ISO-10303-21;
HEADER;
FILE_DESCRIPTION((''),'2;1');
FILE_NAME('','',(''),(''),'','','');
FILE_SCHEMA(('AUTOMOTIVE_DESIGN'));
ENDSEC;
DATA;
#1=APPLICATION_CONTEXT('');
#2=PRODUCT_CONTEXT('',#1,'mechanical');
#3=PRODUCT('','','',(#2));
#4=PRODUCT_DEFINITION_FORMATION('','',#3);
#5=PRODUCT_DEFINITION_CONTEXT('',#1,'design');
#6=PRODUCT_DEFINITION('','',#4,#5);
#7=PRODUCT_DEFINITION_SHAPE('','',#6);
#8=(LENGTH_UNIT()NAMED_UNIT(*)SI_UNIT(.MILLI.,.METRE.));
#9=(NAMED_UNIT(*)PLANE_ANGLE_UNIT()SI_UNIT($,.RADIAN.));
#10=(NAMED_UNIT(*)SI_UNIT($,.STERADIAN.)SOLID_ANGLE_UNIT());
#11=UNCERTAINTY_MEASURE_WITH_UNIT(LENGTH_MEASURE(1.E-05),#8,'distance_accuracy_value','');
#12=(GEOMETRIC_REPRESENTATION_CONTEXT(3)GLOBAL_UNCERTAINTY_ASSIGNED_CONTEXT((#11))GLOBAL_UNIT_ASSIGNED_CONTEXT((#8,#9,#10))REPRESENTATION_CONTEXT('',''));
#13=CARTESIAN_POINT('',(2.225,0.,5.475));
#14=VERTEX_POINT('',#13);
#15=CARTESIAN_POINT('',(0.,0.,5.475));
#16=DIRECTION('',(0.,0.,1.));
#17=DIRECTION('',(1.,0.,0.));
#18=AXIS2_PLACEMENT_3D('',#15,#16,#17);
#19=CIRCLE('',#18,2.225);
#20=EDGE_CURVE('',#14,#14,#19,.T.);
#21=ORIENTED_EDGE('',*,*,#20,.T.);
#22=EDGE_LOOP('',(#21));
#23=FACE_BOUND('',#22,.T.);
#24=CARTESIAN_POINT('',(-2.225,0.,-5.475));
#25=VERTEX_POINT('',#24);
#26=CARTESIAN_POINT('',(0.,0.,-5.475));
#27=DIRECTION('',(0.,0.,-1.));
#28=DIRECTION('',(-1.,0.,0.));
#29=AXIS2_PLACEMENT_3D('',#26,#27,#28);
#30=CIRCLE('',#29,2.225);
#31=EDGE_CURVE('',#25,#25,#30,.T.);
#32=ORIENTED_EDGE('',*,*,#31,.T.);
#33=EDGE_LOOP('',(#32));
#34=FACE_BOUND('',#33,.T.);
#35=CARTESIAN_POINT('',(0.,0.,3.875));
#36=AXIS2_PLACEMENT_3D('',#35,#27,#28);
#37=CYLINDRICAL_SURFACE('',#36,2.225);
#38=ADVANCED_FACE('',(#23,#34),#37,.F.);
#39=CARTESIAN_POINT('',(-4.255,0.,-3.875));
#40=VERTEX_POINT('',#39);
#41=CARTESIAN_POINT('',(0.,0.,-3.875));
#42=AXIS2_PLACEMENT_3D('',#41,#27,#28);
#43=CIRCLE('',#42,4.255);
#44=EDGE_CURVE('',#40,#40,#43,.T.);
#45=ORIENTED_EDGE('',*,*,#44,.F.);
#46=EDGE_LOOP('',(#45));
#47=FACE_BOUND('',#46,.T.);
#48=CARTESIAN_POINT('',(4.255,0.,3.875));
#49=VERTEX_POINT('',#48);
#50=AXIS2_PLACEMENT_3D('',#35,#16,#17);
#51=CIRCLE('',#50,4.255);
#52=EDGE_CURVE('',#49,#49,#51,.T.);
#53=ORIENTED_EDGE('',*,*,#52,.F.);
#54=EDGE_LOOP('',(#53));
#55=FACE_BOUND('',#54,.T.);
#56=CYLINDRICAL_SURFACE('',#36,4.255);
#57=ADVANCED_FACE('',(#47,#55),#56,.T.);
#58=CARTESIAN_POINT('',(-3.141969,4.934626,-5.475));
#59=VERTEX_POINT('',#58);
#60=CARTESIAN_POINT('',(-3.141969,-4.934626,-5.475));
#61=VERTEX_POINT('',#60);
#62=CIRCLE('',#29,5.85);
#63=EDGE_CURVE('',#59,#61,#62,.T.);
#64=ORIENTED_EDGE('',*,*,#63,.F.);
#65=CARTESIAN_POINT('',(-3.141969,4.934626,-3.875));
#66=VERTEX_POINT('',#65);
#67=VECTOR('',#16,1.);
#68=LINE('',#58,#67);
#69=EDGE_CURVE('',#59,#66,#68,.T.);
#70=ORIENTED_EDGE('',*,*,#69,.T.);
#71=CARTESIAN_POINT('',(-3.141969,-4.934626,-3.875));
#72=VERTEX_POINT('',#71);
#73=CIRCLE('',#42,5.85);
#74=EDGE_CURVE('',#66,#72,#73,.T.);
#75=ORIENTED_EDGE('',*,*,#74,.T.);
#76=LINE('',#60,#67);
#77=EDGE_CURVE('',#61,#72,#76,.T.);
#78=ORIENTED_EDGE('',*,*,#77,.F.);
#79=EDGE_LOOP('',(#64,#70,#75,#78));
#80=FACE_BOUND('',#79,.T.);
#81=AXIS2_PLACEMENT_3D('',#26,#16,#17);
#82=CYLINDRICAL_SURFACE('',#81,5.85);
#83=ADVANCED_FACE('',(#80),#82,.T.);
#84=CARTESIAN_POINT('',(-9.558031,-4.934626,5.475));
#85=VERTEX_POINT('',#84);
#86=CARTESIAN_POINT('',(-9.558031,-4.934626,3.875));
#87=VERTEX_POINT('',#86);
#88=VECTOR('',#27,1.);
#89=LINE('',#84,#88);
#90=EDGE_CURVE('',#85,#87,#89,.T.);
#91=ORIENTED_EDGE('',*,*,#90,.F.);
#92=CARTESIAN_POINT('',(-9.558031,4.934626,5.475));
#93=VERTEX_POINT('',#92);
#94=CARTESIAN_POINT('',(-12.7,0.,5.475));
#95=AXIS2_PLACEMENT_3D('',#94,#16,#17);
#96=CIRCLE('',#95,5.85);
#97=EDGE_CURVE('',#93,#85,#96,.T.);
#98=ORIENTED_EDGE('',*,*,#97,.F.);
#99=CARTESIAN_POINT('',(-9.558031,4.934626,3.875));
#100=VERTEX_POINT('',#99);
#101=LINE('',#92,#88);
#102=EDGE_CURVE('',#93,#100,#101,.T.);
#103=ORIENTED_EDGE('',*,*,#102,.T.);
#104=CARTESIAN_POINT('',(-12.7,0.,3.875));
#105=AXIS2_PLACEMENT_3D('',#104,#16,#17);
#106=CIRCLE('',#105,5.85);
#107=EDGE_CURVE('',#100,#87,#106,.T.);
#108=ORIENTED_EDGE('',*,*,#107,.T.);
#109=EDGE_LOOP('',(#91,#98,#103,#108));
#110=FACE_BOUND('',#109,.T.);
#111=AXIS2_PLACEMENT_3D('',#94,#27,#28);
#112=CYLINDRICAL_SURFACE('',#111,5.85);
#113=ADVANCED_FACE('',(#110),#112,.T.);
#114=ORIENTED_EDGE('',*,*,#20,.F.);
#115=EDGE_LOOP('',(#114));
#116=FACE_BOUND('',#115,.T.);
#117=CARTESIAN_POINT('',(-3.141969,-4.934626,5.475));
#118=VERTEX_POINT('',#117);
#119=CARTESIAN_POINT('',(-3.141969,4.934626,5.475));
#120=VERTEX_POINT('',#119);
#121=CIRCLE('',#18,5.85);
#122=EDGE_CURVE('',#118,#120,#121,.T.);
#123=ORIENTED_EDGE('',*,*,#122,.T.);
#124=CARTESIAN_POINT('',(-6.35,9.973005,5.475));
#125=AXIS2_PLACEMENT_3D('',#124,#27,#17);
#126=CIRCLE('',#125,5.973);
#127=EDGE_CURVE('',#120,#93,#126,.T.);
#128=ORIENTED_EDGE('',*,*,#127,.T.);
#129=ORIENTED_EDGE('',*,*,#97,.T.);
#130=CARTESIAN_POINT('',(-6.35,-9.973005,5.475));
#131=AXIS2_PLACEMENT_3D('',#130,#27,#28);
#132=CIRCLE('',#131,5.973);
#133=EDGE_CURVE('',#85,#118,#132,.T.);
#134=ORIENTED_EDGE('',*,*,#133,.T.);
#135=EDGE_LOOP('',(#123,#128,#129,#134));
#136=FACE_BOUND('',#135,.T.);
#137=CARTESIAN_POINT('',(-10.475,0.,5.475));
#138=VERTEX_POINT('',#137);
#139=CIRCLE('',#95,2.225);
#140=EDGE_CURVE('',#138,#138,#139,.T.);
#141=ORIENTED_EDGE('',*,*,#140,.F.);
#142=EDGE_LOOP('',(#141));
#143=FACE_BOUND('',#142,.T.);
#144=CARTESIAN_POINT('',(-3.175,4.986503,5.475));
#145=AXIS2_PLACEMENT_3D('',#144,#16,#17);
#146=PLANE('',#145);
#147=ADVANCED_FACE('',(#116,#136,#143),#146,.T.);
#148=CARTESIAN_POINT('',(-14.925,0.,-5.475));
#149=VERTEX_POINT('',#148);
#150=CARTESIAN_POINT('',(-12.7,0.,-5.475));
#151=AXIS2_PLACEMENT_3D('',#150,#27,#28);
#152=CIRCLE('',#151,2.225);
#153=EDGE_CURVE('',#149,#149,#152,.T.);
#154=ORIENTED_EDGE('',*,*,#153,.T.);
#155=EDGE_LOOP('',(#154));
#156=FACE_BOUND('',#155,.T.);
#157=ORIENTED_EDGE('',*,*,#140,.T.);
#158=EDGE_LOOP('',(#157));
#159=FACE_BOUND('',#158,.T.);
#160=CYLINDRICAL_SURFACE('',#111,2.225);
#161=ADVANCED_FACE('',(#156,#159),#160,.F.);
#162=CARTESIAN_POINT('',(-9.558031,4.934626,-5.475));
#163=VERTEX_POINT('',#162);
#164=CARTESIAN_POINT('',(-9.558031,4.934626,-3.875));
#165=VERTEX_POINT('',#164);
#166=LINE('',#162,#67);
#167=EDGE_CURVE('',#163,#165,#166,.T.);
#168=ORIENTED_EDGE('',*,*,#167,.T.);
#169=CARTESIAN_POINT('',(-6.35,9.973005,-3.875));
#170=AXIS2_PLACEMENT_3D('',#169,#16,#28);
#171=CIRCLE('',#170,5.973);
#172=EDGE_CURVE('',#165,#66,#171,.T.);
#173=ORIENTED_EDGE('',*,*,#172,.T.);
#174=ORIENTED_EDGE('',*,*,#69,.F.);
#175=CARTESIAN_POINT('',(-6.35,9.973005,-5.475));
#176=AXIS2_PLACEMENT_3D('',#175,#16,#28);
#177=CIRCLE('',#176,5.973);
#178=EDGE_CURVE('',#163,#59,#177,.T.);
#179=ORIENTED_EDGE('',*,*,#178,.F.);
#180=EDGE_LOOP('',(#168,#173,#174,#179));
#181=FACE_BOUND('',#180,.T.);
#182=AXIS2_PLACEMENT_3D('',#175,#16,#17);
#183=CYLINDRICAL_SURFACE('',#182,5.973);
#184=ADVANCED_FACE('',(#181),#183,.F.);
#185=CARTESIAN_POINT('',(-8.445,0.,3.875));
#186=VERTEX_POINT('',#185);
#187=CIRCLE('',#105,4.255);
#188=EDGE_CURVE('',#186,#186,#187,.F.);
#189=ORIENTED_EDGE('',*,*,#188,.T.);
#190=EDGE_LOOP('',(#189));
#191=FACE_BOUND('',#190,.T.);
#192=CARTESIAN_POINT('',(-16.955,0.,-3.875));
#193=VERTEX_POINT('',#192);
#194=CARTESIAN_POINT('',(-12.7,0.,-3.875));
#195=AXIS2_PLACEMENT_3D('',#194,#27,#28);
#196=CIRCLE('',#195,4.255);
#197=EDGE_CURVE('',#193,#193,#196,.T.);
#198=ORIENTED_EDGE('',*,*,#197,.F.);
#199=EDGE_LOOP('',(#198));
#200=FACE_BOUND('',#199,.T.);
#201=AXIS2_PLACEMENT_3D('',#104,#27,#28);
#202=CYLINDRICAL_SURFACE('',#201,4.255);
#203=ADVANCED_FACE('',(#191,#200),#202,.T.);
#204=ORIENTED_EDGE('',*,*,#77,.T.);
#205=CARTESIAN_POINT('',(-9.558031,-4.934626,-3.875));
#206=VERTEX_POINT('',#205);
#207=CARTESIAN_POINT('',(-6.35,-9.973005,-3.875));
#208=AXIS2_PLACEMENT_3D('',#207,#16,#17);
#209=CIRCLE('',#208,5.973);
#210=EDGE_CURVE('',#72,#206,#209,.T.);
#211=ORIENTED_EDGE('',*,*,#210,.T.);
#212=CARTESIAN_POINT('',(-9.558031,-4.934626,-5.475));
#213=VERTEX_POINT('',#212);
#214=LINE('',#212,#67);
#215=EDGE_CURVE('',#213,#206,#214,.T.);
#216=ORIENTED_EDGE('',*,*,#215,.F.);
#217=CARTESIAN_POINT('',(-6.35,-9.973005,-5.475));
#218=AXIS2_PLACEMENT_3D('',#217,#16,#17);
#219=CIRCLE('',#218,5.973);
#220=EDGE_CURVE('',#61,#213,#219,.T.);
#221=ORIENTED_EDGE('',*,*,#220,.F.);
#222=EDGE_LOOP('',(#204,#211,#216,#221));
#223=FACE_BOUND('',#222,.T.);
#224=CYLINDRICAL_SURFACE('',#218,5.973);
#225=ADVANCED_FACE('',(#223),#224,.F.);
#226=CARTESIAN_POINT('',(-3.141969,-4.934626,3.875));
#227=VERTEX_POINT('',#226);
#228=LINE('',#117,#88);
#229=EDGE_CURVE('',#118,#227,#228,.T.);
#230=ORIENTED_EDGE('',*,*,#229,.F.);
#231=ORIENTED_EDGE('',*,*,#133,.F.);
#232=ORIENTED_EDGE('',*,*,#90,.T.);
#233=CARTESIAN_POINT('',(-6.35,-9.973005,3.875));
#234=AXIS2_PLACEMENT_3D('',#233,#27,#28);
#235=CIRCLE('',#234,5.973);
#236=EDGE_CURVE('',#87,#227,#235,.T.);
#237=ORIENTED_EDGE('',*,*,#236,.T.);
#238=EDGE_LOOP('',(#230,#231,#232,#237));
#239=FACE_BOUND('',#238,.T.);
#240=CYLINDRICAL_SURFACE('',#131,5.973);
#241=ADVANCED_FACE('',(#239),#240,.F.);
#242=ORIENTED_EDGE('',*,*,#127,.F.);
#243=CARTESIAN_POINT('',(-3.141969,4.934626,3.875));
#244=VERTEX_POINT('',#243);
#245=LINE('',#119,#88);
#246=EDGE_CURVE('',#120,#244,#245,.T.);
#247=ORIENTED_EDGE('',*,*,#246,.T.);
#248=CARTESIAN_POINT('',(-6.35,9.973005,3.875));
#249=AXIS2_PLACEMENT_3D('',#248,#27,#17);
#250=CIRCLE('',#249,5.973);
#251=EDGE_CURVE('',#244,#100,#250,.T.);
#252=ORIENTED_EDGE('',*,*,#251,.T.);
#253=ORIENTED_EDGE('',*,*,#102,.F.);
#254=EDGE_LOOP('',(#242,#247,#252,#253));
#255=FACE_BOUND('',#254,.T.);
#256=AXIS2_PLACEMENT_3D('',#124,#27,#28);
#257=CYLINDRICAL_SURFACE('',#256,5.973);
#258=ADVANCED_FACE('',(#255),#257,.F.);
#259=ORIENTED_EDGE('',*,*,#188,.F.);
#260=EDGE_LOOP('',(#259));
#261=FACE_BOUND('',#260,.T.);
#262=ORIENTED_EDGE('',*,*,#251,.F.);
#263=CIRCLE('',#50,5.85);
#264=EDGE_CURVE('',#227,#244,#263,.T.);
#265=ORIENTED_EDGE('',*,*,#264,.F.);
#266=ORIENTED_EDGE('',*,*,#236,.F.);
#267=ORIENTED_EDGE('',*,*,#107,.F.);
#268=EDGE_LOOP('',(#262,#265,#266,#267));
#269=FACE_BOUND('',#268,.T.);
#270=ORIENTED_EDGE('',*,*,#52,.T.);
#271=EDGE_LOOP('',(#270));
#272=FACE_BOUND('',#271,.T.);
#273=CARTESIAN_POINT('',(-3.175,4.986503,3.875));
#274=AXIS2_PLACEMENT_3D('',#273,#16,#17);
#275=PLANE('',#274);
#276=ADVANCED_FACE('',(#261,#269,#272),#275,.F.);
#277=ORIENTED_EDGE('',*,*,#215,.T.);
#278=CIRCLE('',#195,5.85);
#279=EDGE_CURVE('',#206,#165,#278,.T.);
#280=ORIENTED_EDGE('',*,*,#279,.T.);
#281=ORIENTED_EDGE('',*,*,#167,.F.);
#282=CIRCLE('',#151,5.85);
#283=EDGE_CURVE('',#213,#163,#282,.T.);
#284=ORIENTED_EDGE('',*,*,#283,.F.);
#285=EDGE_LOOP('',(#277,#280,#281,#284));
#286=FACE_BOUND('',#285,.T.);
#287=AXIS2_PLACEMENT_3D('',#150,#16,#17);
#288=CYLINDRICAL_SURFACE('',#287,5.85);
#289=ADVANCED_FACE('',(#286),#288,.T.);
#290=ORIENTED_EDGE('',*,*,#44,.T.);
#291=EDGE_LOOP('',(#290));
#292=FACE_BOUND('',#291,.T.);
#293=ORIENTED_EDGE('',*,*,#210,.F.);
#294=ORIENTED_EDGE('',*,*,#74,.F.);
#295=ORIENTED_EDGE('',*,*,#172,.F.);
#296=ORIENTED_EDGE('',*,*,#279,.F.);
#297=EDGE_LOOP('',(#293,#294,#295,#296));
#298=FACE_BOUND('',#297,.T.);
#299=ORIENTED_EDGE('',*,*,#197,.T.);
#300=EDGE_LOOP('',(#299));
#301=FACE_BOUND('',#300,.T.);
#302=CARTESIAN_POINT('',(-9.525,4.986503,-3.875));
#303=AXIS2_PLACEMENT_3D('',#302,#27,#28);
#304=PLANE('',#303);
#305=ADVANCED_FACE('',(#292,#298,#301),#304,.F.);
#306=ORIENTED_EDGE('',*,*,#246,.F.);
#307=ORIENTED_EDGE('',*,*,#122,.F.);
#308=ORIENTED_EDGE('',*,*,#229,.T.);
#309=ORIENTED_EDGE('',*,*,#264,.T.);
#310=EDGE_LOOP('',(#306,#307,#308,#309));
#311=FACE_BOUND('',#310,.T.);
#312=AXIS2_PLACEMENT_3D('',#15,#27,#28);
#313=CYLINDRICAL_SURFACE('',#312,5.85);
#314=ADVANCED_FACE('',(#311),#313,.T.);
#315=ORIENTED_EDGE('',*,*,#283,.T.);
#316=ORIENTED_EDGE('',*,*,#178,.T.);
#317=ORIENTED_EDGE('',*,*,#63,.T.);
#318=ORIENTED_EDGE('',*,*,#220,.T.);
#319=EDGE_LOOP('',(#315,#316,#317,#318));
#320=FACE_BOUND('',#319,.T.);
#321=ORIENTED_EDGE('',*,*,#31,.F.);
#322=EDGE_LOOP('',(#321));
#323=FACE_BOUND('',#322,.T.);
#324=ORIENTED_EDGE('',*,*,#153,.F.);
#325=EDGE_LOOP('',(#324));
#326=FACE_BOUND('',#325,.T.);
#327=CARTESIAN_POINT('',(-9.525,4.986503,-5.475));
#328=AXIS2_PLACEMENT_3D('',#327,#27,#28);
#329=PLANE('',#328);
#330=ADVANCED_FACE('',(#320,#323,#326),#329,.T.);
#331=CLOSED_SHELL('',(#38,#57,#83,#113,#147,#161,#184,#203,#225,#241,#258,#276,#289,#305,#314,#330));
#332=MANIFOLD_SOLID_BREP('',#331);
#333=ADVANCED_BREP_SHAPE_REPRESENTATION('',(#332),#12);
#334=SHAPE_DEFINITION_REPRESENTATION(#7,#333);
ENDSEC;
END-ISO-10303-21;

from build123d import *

# Parameters (mm, degrees)
SKETCH1_R             = 4.255
SKETCH1_R_2           = 2.225
BOSS_EXTRUDE1_DEPTH   = 3.875
BOSS_EXTRUDE1_2_DEPTH = 3.875
SKETCH2_R             = 2.225
BOSS_EXTRUDE2_DEPTH   = 1.6
BOSS_EXTRUDE3_START   = 1.6
SKETCH3_R             = 2.225
BOSS_EXTRUDE3_DEPTH   = 1.6


with BuildPart() as part:
    # Sketch1 → Boss-Extrude1 (new, symmetric)
    with BuildSketch(Plane.XY):
        Circle(SKETCH1_R)
        Circle(SKETCH1_R_2, mode=Mode.SUBTRACT)
    extrude(amount=BOSS_EXTRUDE1_DEPTH, both=True)



with BuildPart() as body_2:
    # Sketch1 → Boss-Extrude1 2 (new, symmetric)
    with BuildSketch(Plane.XY):
        with Locations((-12.7, 0)):
            Circle(SKETCH1_R)
        with Locations((-12.7, 0)):
            Circle(SKETCH1_R_2, mode=Mode.SUBTRACT)
    extrude(amount=BOSS_EXTRUDE1_2_DEPTH, both=True)


with BuildPart() as part_1:
    add(part.part)

    add(body_2.part)  # Boss-Extrude2 merges body 2
    # Sketch2 → Boss-Extrude2 (add)
    with BuildSketch(Plane.XY.offset(3.875)):
        with BuildLine():
            ThreePointArc((-3.141969043, -4.934625673), (5.85, 0), (-3.141969043, 4.934625673))
            ThreePointArc((-3.141969043, 4.934625673), (-6.35, 4.000005014), (-9.558030957, 4.934625673))
            ThreePointArc((-9.558030957, 4.934625673), (-18.55, 0), (-9.558030957, -4.934625673))
            ThreePointArc((-9.558030957, -4.934625673), (-6.35, -4.000005014), (-3.141969043, -4.934625673))
        make_face()
        Circle(SKETCH2_R, mode=Mode.SUBTRACT)
        with Locations((-12.7, 0)):
            Circle(SKETCH2_R, mode=Mode.SUBTRACT)
    extrude(amount=BOSS_EXTRUDE2_DEPTH)

    # Sketch3 → Boss-Extrude3 (add)
    with BuildSketch(Plane(origin=(0, 0, -3.875), x_dir=(-1, 0, 0), z_dir=(0, 0, -1)).offset(BOSS_EXTRUDE3_START)):
        with BuildLine():
            ThreePointArc((3.141969043, 4.934625673), (-5.85, 0), (3.141969043, -4.934625673))
            ThreePointArc((3.141969043, -4.934625673), (6.35, -4.000005014), (9.558030957, -4.934625673))
            ThreePointArc((9.558030957, -4.934625673), (18.55, 0), (9.558030957, 4.934625673))
            ThreePointArc((9.558030957, 4.934625673), (6.35, 4.000005014), (3.141969043, 4.934625673))
        make_face()
        Circle(SKETCH3_R, mode=Mode.SUBTRACT)
        with Locations((12.7, 0)):
            Circle(SKETCH3_R, mode=Mode.SUBTRACT)
    extrude(amount=-BOSS_EXTRUDE3_DEPTH)


solid = part_1.part
